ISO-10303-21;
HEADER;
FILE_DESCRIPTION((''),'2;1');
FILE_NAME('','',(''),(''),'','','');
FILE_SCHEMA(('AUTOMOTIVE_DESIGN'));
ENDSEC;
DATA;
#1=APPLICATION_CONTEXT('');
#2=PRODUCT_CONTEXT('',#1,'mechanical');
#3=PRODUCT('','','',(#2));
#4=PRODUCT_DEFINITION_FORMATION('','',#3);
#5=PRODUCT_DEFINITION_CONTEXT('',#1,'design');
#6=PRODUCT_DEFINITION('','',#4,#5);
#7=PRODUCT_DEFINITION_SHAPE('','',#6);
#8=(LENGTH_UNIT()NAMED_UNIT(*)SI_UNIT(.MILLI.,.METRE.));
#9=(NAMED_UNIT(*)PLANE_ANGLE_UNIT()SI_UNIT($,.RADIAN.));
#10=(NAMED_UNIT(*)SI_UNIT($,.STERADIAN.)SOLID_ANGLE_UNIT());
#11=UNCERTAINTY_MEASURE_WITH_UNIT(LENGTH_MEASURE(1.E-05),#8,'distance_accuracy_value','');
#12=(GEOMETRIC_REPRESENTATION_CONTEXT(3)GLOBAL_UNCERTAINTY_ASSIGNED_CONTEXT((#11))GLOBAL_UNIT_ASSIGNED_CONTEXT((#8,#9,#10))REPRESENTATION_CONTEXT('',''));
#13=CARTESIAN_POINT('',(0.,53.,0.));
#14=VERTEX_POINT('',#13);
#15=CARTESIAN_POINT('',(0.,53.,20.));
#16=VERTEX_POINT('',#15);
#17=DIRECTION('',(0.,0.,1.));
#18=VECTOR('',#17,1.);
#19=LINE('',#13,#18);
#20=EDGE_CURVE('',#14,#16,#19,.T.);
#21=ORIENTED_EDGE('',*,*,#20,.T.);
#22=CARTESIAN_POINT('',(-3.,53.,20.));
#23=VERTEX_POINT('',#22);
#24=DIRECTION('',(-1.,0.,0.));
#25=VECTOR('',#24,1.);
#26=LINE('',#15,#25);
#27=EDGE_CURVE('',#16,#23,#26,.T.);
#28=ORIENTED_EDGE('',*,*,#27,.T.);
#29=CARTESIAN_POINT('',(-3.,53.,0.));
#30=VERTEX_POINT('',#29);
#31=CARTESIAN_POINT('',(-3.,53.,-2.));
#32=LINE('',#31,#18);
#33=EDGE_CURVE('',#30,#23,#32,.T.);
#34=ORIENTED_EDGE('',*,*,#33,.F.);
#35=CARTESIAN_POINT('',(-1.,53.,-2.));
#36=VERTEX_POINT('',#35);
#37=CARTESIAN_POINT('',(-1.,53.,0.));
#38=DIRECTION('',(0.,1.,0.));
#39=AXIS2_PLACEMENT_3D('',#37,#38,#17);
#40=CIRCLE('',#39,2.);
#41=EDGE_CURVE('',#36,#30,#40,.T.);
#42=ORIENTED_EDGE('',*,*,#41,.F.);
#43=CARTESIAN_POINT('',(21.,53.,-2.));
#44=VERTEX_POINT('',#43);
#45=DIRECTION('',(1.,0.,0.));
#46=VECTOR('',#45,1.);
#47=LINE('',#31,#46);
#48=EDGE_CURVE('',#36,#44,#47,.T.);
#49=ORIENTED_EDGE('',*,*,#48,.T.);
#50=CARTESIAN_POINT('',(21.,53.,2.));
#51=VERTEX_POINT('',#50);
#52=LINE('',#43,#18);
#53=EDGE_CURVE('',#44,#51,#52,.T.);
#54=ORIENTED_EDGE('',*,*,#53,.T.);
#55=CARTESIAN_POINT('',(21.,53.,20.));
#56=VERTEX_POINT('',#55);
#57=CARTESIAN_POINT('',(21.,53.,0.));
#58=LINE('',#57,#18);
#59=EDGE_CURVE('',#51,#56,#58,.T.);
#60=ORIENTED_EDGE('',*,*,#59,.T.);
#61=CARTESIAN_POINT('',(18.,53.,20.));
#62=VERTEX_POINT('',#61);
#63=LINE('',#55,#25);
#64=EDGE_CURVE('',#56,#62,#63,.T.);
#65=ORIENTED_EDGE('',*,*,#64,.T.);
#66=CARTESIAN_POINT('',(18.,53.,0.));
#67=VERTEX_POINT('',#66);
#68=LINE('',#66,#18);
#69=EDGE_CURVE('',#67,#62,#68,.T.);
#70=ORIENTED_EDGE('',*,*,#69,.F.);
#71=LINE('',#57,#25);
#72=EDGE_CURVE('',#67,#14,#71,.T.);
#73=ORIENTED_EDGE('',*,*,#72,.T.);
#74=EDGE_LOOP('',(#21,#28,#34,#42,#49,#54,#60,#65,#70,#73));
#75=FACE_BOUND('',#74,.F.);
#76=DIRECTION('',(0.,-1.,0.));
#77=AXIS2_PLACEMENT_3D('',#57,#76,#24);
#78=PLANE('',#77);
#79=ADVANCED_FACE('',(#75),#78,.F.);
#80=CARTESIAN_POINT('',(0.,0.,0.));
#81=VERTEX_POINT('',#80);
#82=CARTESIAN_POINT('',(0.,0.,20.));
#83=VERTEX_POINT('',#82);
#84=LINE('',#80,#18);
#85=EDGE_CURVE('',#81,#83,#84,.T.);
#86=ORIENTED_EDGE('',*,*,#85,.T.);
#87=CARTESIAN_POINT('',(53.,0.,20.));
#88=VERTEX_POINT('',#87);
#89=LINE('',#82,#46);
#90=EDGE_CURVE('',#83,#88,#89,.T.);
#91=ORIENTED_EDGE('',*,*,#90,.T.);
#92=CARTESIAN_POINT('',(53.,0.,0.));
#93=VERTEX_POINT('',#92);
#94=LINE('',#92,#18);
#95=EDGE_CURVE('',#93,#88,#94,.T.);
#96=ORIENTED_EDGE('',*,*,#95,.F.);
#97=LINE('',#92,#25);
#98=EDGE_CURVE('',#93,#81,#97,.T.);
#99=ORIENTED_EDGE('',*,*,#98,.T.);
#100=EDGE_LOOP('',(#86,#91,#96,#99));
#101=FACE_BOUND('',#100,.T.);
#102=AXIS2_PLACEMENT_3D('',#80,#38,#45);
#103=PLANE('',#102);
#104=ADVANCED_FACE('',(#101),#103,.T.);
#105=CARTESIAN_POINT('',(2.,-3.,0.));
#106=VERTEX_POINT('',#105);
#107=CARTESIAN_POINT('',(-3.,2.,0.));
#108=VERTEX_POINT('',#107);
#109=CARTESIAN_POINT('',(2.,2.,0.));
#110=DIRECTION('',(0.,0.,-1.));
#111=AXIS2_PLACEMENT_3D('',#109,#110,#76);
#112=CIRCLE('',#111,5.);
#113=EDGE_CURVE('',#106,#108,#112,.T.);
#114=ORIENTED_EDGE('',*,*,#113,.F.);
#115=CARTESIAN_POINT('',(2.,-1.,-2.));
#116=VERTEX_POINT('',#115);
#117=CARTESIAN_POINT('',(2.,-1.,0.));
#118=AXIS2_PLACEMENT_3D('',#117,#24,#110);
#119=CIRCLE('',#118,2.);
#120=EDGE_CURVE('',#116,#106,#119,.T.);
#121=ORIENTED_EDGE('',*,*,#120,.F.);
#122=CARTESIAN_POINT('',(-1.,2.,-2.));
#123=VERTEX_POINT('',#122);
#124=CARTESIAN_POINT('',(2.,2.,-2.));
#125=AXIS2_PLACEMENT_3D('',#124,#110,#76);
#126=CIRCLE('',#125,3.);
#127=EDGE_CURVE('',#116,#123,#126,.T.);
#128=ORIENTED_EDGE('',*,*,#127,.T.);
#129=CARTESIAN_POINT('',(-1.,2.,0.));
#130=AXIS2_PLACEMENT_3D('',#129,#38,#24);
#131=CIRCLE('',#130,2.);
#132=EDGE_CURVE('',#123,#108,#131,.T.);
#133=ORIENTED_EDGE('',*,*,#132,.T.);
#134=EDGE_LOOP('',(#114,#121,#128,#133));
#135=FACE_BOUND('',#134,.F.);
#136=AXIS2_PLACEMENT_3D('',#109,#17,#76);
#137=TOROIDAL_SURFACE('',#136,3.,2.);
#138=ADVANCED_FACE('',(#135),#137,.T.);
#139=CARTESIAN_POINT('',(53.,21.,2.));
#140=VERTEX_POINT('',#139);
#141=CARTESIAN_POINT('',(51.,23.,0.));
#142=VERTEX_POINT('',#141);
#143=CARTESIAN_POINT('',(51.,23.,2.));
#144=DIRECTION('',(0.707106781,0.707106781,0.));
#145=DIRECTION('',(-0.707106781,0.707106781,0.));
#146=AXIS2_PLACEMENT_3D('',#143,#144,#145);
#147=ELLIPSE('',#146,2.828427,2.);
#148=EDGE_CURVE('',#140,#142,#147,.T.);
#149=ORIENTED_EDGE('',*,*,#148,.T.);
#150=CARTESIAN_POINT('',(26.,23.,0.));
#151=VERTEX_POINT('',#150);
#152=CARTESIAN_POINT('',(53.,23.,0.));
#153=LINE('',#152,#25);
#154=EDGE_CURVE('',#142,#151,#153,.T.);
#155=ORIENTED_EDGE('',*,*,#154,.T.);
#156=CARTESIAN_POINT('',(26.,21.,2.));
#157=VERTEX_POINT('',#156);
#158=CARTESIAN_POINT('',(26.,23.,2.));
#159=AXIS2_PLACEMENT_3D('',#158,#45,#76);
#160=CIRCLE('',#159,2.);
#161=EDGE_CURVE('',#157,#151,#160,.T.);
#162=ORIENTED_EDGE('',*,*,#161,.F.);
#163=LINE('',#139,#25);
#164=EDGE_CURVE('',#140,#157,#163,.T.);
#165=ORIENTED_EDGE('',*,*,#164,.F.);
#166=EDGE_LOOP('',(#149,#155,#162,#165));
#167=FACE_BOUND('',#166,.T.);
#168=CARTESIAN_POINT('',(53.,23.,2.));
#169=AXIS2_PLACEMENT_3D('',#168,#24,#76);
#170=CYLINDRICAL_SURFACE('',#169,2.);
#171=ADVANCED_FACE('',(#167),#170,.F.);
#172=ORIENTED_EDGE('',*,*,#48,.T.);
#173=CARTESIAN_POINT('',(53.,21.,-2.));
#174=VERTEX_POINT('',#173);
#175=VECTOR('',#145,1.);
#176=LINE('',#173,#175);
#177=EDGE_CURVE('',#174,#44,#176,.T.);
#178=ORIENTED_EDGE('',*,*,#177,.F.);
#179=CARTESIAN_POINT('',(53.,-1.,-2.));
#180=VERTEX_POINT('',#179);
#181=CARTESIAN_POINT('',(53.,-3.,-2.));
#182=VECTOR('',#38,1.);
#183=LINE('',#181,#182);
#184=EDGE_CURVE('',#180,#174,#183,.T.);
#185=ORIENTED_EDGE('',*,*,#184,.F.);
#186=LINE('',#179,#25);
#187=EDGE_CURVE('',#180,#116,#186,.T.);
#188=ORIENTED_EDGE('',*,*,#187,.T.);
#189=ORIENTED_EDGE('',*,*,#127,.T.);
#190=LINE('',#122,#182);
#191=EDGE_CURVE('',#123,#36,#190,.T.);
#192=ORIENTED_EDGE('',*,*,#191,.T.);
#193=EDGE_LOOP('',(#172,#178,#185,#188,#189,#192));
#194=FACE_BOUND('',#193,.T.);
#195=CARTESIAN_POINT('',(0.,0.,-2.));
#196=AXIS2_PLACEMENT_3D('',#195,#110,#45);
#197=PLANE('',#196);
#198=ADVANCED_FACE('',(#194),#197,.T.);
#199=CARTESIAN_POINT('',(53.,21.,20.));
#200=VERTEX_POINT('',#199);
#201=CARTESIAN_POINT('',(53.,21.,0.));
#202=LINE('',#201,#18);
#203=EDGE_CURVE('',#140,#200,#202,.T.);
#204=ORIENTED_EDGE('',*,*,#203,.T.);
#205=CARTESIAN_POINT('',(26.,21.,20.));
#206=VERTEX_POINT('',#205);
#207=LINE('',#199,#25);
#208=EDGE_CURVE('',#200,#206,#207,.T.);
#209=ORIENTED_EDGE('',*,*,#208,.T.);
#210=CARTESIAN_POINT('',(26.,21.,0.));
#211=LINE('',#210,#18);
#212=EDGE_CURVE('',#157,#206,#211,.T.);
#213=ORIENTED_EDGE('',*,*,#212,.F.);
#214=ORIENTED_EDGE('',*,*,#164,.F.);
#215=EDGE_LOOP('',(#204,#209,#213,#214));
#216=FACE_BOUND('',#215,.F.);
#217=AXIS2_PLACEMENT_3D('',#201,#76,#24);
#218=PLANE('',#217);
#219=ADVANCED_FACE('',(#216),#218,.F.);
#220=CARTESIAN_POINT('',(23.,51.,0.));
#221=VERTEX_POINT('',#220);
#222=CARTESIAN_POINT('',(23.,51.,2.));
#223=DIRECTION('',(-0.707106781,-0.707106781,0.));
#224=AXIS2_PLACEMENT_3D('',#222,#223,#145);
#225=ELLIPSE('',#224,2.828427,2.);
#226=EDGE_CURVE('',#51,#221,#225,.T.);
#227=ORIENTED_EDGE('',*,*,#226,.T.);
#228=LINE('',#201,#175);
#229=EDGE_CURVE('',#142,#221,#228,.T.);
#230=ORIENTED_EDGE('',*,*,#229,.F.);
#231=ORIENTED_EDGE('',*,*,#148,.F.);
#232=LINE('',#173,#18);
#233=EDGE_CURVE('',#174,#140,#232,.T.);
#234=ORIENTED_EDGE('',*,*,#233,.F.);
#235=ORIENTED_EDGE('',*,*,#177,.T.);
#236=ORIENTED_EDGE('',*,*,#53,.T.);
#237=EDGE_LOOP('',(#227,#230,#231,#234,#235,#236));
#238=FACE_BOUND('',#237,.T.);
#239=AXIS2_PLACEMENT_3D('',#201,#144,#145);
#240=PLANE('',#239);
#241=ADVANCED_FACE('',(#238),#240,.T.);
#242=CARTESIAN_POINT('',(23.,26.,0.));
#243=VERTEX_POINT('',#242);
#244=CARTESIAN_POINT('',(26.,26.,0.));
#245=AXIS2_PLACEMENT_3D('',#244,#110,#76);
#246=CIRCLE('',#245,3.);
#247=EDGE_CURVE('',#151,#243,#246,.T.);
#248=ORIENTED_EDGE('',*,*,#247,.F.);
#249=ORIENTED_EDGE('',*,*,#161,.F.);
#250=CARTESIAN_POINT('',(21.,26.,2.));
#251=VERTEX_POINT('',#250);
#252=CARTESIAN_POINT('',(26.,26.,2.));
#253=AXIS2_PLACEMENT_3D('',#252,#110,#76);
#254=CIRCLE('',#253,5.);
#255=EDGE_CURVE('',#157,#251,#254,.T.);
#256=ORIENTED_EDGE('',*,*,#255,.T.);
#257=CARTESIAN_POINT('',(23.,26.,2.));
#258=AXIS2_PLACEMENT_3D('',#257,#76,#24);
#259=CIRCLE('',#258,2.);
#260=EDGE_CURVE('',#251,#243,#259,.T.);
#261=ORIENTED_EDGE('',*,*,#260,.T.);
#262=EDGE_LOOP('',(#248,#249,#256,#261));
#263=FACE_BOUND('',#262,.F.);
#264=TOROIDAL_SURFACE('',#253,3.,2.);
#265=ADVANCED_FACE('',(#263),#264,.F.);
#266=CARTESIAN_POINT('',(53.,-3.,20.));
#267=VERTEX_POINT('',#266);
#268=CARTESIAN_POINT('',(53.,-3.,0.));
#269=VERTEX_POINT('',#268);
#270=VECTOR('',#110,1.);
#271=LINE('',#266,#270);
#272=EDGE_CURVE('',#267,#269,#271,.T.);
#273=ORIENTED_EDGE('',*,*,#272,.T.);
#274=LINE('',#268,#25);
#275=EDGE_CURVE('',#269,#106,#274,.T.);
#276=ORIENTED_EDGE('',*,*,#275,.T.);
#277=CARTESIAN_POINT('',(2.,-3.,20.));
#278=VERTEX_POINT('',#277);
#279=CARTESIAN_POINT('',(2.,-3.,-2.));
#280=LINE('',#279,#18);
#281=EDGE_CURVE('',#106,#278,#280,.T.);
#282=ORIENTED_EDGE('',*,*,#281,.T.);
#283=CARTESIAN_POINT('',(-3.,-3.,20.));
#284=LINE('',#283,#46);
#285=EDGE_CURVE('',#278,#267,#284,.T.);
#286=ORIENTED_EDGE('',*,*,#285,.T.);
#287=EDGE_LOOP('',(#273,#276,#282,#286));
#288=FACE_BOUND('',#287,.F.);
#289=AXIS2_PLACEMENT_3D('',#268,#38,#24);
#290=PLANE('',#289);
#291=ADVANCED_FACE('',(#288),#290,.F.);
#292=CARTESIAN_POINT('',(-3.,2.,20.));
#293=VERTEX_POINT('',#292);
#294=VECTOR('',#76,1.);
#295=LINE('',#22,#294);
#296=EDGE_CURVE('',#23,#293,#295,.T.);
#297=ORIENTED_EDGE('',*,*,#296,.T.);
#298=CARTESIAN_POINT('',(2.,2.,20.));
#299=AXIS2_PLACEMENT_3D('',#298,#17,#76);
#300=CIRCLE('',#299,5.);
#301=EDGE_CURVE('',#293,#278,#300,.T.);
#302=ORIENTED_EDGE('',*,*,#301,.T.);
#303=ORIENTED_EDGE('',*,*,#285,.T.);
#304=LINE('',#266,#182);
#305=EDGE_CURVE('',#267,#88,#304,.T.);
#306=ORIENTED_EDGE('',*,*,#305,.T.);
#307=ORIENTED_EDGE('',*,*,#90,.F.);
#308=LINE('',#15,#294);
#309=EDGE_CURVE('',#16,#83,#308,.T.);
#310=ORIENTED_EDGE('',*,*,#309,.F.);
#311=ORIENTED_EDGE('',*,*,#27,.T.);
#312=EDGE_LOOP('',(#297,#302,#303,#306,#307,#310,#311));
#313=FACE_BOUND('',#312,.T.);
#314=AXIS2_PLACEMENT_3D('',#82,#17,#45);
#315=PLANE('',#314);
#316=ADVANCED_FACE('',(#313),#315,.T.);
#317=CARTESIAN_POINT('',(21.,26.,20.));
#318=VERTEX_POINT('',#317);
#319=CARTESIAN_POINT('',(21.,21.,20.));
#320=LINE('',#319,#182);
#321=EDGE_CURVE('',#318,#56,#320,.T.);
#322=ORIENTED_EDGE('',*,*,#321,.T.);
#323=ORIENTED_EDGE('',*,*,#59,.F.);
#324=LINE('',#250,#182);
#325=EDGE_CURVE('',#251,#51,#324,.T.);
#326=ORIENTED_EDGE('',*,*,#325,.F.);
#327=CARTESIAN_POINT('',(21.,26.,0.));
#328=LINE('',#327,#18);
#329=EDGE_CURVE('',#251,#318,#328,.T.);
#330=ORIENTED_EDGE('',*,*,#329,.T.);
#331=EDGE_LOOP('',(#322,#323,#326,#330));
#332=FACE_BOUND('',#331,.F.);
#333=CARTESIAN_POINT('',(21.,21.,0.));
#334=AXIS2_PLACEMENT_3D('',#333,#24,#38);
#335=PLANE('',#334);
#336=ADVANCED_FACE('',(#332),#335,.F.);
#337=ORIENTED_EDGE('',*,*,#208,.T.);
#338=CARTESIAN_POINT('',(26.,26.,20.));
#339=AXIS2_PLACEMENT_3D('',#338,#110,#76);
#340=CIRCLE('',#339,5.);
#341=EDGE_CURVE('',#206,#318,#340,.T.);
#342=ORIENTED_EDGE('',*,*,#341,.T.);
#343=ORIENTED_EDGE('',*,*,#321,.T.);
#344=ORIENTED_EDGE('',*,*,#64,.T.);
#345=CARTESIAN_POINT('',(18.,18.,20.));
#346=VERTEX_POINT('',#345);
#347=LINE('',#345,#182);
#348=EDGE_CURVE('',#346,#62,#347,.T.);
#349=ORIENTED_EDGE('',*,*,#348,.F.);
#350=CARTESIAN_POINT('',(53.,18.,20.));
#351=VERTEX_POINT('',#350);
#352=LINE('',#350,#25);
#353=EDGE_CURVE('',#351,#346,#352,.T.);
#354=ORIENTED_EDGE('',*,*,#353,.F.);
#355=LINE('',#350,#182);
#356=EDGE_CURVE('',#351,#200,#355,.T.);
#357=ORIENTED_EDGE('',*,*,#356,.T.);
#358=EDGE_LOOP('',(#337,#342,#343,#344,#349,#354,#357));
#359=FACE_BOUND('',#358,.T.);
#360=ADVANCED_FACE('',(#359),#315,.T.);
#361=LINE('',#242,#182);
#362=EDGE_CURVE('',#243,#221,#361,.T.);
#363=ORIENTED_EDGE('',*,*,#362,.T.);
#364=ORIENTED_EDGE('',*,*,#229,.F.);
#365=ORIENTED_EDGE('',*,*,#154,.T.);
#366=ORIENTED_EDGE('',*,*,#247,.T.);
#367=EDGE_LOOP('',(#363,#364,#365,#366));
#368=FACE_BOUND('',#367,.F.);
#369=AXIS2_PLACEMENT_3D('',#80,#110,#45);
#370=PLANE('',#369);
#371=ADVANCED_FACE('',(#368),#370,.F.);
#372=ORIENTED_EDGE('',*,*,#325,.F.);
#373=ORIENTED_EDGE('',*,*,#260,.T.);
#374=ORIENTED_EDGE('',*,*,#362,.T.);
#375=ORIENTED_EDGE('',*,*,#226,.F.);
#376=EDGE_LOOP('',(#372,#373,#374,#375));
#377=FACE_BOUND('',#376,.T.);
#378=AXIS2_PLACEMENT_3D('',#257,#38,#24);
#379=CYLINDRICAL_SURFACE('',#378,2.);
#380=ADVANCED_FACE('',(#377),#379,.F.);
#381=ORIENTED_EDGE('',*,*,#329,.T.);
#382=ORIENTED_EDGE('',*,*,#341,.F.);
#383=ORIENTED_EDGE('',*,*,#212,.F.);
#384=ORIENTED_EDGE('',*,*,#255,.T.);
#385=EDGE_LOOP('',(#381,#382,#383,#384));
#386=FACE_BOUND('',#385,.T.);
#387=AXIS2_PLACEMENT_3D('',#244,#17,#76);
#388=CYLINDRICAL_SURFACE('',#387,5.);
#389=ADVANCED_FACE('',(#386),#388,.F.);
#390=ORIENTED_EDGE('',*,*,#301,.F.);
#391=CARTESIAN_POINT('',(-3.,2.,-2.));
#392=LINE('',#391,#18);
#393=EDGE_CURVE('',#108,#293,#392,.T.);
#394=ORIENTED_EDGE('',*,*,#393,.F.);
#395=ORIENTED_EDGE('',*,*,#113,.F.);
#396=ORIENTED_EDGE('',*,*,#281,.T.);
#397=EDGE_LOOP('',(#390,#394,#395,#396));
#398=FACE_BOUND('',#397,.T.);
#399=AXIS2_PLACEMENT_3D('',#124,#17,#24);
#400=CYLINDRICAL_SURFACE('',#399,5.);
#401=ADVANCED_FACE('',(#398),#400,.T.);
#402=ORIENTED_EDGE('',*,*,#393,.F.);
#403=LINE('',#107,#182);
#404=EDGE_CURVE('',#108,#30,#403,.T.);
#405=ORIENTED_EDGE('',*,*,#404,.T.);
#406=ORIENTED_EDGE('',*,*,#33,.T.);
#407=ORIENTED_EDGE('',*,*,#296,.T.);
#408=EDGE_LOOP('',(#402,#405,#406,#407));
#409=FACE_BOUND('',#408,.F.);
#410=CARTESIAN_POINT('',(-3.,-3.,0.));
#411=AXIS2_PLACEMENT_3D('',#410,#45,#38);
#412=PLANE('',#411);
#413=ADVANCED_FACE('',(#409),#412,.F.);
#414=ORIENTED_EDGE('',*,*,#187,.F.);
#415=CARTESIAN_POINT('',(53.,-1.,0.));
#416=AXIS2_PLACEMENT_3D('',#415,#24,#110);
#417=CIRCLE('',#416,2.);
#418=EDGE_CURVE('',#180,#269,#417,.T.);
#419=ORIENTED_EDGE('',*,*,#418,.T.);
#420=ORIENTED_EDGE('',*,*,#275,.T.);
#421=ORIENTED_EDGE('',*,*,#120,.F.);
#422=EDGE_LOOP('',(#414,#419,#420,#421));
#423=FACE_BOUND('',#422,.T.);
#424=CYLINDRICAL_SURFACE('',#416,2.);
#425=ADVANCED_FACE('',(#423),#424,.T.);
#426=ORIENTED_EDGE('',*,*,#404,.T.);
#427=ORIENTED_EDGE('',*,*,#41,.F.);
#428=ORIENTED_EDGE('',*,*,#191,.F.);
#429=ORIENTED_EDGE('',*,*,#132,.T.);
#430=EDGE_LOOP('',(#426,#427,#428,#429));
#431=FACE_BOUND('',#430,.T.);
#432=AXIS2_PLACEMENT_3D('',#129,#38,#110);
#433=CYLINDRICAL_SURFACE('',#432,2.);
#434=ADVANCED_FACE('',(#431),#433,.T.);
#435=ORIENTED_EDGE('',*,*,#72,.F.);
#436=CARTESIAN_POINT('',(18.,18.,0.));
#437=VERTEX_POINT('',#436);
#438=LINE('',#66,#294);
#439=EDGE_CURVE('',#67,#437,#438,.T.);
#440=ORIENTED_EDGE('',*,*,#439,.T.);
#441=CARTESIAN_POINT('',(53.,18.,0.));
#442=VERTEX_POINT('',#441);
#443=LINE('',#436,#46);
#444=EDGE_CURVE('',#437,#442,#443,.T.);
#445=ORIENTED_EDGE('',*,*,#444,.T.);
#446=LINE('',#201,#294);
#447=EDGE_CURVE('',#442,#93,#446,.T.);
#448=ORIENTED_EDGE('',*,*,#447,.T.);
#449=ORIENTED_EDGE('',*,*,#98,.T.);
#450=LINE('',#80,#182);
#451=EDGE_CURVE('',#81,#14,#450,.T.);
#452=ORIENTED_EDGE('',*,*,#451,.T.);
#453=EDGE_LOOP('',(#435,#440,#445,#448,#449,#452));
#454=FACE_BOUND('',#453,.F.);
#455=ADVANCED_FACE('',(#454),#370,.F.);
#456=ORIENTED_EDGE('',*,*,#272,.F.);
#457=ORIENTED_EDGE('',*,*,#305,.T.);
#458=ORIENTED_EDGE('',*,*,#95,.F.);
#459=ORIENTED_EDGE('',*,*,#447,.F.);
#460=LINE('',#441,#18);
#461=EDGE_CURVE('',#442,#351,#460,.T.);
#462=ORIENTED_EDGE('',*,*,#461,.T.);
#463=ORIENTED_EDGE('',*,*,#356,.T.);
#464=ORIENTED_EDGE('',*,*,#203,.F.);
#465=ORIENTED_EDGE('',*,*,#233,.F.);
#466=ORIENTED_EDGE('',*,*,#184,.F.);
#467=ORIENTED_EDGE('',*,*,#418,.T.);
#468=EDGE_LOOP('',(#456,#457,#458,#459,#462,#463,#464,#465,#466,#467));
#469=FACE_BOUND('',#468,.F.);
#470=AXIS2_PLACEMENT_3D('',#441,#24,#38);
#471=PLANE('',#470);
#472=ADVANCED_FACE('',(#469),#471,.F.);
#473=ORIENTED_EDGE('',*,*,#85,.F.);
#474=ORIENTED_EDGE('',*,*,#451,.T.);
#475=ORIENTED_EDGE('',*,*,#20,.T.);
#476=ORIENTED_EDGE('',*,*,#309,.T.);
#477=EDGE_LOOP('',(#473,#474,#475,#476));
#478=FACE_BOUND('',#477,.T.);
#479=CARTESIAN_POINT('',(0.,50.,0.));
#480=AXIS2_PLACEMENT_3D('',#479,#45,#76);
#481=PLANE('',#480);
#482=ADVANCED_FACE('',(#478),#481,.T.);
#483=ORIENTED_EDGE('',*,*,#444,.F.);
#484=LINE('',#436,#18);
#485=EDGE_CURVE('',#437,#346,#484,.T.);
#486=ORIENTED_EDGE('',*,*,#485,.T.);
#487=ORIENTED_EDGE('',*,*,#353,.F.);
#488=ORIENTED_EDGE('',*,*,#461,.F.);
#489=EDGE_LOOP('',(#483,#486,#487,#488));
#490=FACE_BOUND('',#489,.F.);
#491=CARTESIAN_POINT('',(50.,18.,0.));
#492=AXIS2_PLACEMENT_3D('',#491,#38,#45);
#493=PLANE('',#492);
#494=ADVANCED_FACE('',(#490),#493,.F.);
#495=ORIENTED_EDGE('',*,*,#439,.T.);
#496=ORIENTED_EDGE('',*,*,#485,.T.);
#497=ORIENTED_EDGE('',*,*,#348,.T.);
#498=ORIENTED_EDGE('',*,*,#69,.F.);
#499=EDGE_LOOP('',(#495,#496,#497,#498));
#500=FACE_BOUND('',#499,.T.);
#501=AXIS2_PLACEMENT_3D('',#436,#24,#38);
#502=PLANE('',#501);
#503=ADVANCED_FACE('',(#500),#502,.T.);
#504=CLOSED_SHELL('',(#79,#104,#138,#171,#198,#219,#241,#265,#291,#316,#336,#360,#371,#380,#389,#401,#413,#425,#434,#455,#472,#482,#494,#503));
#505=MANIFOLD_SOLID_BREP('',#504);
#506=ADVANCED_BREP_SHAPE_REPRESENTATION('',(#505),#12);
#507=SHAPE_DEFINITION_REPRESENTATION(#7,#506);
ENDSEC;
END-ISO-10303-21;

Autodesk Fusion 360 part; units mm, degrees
sketch "Sketch1" plane through (0, 0, 0) normal (0, 0, 1) x (1, 0, 0)
  line L0 (0, 0) -> (18, 0) construction
  line L1 (18, 18) -> (18, 50)
  line L2 (0, 50) -> (0, 0)
  line L3 (0, 0) -> (50, 0)
  line L4 (50, 18) -> (18, 18)
  line L5 (0, 18) -> (0, 0) construction
  line L6 (53, 21) -> (21, 21)
  line L7 (21, 21) -> (21, 53)
  line L8 (-3, 53) -> (-3, -3)
  line L9 (-3, -3) -> (53, -3)
  line L10 (50, 18) -> (53, 18)
  line L11 (50, 0) -> (53, 0)
  line L12 (0, 50) -> (0, 53)
  line L13 (18, 50) -> (18, 53)
  line L14 (21, 53) -> (18, 53)
  line L15 (0, 53) -> (-3, 53)
  line L16 (53, -3) -> (53, 0)
  line L17 (53, 18) -> (53, 21)
  dimension "d1" = 18
  dimension "d2" = 50
  dimension "d3" = 50
  dimension "d4" = 18
extrude "Extrude1" add sketch "Sketch1" along normal blind 20 makes body 1 at (18, 29.6667, 13.3333) makes body 2 at (15.6667, -3, 6.6667)
sketch "Sketch2" plane through (0, 0, 0) normal (0, 0, -1) x (1, 0, 0)
  line L0 (53, -18) -> (18, -18)
  line L1 (18, -18) -> (18, -53)
  line L2 (18, -53) -> (21, -53)
  line L3 (21, -53) -> (21, -21)
  line L4 (21, -21) -> (53, -21)
  line L5 (53, -21) -> (53, -18)
  line L6 (0, -53) -> (0, 0)
  line L7 (0, 0) -> (53, 0)
  line L8 (53, 0) -> (53, 3)
  line L9 (53, 3) -> (-3, 3)
  line L10 (-3, 3) -> (-3, -53)
  line L11 (-3, -53) -> (0, -53)
  line L12 (-3, 3) -> (53, 3) construction
  line L13 (53, 3) -> (53, -21)
  line L14 (53, -21) -> (21, -53)
  line L15 (21, -53) -> (-3, -53)
  line L16 (-3, -53) -> (-3, 3)
  line L17 (-3, 3) -> (53, 3)
extrude "Extrude2" add sketch "Sketch2" along normal blind 2 bodies 1 2
fillet "Fillet1" radius 5 2 edges at (21, 21, 10) (-3, -3, 9) on bodies 1
fillet "Fillet2" radius 2 6 edges at (27.5, -3, -2) (-1.5355, -1.5355, -2) (-3, 27.5, -2) (39.5, 21, 0) (22.4645, 22.4645, 0) (21, 39.5, 0) on bodies 1
